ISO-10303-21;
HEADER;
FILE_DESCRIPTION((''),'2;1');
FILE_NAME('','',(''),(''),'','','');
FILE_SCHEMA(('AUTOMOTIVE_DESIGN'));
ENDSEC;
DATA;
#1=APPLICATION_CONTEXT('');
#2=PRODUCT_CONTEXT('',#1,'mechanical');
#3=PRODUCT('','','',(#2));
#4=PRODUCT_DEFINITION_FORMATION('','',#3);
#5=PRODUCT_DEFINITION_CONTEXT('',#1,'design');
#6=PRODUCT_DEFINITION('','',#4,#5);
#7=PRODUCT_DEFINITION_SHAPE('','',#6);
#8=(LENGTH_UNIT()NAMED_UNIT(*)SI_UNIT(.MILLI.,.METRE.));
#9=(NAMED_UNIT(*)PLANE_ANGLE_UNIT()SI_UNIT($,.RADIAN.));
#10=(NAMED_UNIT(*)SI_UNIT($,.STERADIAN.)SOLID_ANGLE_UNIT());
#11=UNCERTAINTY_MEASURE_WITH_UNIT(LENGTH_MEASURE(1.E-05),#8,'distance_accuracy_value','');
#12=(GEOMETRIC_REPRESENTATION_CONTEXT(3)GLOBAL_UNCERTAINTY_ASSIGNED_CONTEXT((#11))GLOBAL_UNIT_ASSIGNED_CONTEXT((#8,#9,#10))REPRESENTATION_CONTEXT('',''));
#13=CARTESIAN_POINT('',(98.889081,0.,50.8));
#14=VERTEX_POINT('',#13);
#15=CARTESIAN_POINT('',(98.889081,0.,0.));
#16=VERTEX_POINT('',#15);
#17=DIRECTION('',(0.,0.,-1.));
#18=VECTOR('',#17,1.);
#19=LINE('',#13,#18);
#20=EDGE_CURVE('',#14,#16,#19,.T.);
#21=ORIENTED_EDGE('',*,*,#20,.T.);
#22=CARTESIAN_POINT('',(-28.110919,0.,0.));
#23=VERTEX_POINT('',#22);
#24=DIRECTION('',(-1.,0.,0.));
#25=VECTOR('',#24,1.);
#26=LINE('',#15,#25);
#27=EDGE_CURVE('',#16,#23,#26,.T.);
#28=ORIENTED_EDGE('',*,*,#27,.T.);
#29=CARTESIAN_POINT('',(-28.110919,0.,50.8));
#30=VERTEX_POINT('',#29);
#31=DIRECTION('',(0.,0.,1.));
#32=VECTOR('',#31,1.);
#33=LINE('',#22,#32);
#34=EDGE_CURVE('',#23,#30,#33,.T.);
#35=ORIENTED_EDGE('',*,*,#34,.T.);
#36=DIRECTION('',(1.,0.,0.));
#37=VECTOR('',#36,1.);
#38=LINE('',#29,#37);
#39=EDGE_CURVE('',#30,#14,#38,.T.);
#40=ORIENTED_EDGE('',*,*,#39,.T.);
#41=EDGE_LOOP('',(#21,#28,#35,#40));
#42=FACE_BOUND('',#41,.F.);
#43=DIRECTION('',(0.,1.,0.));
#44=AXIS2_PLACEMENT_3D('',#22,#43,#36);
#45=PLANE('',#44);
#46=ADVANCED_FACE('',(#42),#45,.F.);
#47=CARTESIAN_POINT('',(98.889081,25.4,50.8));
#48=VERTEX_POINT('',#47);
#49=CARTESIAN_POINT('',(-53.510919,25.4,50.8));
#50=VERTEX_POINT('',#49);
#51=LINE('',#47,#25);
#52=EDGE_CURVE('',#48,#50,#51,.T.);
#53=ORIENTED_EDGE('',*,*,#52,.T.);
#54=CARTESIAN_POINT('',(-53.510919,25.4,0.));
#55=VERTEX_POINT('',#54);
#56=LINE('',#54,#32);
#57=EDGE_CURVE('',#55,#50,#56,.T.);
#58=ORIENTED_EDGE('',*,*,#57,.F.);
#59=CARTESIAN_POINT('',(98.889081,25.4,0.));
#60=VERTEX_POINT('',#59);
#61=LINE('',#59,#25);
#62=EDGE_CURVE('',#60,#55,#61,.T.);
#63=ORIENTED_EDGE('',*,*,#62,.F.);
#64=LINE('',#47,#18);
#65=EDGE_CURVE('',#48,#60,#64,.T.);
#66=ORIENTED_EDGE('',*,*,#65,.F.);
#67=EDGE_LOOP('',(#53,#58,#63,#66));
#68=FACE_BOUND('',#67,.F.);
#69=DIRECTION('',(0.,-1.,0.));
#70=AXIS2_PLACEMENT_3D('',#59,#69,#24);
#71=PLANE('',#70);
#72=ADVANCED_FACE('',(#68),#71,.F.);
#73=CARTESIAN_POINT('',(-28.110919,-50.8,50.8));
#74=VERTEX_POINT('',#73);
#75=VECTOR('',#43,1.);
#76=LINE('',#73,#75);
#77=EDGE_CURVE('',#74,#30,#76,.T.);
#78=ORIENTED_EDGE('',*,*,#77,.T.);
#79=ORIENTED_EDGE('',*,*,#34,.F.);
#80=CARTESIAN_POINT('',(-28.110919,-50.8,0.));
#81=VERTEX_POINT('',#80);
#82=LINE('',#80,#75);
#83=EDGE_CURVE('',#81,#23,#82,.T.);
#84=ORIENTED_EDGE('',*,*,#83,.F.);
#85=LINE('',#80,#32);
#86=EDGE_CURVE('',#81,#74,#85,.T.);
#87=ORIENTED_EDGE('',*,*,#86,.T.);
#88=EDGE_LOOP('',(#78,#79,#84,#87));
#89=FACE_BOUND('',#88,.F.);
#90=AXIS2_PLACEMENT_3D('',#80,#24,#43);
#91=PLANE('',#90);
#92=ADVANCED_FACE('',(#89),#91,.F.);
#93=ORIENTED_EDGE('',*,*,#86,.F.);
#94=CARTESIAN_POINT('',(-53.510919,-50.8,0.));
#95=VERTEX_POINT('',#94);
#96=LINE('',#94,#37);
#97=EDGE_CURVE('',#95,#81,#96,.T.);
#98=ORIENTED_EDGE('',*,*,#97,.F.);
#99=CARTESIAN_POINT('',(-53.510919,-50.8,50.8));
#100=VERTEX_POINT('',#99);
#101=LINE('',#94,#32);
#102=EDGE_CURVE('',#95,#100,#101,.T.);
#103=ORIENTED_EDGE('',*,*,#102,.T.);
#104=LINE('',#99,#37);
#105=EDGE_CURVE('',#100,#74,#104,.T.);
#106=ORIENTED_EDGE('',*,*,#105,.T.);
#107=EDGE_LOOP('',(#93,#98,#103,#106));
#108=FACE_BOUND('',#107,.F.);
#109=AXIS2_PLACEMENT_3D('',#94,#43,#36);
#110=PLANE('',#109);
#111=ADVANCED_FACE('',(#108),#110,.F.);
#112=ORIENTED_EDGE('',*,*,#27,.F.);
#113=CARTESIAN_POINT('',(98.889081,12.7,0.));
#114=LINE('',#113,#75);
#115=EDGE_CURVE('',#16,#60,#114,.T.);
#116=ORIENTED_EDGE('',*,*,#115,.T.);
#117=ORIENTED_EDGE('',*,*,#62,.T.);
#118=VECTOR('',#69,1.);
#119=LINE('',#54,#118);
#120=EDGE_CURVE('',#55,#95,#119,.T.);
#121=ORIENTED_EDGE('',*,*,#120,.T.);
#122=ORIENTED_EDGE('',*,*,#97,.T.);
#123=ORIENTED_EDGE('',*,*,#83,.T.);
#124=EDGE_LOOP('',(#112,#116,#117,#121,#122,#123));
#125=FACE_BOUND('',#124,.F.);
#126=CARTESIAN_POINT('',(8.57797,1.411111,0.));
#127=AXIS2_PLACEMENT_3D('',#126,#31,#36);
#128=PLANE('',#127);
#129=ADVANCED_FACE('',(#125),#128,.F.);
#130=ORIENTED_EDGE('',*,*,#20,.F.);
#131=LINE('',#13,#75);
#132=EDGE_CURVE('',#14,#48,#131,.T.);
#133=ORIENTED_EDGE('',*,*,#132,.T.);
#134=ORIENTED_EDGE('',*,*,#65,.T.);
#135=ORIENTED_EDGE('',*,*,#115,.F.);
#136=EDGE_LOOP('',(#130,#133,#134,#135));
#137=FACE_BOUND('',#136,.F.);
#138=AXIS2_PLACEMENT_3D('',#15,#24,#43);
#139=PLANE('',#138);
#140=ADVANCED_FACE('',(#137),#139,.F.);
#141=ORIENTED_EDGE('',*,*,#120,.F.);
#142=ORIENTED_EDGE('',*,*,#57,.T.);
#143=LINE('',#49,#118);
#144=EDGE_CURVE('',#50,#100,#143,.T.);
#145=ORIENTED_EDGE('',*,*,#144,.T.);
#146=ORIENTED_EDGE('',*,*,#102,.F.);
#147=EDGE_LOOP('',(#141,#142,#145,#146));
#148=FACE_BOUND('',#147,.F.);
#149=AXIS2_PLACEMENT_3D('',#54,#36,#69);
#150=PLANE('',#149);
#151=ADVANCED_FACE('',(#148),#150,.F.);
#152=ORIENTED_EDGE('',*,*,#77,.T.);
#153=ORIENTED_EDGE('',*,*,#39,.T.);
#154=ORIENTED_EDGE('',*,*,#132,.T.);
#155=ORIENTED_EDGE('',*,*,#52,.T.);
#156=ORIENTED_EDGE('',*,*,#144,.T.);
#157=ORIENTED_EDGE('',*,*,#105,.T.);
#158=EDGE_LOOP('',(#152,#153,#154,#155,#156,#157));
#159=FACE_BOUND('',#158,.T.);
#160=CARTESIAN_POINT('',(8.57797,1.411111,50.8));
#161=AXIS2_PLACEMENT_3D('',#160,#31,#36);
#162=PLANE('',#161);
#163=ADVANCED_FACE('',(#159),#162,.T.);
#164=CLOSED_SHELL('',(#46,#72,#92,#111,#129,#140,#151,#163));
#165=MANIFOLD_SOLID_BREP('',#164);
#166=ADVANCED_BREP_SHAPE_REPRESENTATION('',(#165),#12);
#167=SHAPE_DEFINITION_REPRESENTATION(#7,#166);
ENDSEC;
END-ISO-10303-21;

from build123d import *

# Parameters (mm, degrees)
F1_W     = 50.8
F1_H     = 25.4
F2_DEPTH = 25.4
F3_DEPTH = 50.8


with BuildPart() as f2:
    # F1 (on face) → F2 (new body)
    with BuildSketch(Plane.XY):
        with Locations((73.489081, 12.7)):
            Rectangle(F1_W, F1_H)
    extrude(amount=F2_DEPTH)

    # F0 (on Top) → F3 (join)
    with BuildSketch(Plane.XY):
        Polygon((-53.510919, 25.4), (-53.510919, -50.8), (-28.110919, -50.8), (-28.110919, 0), (98.889081, 0), (98.889081, 25.4), align=None)
    extrude(amount=F3_DEPTH)


solid = f2.part
